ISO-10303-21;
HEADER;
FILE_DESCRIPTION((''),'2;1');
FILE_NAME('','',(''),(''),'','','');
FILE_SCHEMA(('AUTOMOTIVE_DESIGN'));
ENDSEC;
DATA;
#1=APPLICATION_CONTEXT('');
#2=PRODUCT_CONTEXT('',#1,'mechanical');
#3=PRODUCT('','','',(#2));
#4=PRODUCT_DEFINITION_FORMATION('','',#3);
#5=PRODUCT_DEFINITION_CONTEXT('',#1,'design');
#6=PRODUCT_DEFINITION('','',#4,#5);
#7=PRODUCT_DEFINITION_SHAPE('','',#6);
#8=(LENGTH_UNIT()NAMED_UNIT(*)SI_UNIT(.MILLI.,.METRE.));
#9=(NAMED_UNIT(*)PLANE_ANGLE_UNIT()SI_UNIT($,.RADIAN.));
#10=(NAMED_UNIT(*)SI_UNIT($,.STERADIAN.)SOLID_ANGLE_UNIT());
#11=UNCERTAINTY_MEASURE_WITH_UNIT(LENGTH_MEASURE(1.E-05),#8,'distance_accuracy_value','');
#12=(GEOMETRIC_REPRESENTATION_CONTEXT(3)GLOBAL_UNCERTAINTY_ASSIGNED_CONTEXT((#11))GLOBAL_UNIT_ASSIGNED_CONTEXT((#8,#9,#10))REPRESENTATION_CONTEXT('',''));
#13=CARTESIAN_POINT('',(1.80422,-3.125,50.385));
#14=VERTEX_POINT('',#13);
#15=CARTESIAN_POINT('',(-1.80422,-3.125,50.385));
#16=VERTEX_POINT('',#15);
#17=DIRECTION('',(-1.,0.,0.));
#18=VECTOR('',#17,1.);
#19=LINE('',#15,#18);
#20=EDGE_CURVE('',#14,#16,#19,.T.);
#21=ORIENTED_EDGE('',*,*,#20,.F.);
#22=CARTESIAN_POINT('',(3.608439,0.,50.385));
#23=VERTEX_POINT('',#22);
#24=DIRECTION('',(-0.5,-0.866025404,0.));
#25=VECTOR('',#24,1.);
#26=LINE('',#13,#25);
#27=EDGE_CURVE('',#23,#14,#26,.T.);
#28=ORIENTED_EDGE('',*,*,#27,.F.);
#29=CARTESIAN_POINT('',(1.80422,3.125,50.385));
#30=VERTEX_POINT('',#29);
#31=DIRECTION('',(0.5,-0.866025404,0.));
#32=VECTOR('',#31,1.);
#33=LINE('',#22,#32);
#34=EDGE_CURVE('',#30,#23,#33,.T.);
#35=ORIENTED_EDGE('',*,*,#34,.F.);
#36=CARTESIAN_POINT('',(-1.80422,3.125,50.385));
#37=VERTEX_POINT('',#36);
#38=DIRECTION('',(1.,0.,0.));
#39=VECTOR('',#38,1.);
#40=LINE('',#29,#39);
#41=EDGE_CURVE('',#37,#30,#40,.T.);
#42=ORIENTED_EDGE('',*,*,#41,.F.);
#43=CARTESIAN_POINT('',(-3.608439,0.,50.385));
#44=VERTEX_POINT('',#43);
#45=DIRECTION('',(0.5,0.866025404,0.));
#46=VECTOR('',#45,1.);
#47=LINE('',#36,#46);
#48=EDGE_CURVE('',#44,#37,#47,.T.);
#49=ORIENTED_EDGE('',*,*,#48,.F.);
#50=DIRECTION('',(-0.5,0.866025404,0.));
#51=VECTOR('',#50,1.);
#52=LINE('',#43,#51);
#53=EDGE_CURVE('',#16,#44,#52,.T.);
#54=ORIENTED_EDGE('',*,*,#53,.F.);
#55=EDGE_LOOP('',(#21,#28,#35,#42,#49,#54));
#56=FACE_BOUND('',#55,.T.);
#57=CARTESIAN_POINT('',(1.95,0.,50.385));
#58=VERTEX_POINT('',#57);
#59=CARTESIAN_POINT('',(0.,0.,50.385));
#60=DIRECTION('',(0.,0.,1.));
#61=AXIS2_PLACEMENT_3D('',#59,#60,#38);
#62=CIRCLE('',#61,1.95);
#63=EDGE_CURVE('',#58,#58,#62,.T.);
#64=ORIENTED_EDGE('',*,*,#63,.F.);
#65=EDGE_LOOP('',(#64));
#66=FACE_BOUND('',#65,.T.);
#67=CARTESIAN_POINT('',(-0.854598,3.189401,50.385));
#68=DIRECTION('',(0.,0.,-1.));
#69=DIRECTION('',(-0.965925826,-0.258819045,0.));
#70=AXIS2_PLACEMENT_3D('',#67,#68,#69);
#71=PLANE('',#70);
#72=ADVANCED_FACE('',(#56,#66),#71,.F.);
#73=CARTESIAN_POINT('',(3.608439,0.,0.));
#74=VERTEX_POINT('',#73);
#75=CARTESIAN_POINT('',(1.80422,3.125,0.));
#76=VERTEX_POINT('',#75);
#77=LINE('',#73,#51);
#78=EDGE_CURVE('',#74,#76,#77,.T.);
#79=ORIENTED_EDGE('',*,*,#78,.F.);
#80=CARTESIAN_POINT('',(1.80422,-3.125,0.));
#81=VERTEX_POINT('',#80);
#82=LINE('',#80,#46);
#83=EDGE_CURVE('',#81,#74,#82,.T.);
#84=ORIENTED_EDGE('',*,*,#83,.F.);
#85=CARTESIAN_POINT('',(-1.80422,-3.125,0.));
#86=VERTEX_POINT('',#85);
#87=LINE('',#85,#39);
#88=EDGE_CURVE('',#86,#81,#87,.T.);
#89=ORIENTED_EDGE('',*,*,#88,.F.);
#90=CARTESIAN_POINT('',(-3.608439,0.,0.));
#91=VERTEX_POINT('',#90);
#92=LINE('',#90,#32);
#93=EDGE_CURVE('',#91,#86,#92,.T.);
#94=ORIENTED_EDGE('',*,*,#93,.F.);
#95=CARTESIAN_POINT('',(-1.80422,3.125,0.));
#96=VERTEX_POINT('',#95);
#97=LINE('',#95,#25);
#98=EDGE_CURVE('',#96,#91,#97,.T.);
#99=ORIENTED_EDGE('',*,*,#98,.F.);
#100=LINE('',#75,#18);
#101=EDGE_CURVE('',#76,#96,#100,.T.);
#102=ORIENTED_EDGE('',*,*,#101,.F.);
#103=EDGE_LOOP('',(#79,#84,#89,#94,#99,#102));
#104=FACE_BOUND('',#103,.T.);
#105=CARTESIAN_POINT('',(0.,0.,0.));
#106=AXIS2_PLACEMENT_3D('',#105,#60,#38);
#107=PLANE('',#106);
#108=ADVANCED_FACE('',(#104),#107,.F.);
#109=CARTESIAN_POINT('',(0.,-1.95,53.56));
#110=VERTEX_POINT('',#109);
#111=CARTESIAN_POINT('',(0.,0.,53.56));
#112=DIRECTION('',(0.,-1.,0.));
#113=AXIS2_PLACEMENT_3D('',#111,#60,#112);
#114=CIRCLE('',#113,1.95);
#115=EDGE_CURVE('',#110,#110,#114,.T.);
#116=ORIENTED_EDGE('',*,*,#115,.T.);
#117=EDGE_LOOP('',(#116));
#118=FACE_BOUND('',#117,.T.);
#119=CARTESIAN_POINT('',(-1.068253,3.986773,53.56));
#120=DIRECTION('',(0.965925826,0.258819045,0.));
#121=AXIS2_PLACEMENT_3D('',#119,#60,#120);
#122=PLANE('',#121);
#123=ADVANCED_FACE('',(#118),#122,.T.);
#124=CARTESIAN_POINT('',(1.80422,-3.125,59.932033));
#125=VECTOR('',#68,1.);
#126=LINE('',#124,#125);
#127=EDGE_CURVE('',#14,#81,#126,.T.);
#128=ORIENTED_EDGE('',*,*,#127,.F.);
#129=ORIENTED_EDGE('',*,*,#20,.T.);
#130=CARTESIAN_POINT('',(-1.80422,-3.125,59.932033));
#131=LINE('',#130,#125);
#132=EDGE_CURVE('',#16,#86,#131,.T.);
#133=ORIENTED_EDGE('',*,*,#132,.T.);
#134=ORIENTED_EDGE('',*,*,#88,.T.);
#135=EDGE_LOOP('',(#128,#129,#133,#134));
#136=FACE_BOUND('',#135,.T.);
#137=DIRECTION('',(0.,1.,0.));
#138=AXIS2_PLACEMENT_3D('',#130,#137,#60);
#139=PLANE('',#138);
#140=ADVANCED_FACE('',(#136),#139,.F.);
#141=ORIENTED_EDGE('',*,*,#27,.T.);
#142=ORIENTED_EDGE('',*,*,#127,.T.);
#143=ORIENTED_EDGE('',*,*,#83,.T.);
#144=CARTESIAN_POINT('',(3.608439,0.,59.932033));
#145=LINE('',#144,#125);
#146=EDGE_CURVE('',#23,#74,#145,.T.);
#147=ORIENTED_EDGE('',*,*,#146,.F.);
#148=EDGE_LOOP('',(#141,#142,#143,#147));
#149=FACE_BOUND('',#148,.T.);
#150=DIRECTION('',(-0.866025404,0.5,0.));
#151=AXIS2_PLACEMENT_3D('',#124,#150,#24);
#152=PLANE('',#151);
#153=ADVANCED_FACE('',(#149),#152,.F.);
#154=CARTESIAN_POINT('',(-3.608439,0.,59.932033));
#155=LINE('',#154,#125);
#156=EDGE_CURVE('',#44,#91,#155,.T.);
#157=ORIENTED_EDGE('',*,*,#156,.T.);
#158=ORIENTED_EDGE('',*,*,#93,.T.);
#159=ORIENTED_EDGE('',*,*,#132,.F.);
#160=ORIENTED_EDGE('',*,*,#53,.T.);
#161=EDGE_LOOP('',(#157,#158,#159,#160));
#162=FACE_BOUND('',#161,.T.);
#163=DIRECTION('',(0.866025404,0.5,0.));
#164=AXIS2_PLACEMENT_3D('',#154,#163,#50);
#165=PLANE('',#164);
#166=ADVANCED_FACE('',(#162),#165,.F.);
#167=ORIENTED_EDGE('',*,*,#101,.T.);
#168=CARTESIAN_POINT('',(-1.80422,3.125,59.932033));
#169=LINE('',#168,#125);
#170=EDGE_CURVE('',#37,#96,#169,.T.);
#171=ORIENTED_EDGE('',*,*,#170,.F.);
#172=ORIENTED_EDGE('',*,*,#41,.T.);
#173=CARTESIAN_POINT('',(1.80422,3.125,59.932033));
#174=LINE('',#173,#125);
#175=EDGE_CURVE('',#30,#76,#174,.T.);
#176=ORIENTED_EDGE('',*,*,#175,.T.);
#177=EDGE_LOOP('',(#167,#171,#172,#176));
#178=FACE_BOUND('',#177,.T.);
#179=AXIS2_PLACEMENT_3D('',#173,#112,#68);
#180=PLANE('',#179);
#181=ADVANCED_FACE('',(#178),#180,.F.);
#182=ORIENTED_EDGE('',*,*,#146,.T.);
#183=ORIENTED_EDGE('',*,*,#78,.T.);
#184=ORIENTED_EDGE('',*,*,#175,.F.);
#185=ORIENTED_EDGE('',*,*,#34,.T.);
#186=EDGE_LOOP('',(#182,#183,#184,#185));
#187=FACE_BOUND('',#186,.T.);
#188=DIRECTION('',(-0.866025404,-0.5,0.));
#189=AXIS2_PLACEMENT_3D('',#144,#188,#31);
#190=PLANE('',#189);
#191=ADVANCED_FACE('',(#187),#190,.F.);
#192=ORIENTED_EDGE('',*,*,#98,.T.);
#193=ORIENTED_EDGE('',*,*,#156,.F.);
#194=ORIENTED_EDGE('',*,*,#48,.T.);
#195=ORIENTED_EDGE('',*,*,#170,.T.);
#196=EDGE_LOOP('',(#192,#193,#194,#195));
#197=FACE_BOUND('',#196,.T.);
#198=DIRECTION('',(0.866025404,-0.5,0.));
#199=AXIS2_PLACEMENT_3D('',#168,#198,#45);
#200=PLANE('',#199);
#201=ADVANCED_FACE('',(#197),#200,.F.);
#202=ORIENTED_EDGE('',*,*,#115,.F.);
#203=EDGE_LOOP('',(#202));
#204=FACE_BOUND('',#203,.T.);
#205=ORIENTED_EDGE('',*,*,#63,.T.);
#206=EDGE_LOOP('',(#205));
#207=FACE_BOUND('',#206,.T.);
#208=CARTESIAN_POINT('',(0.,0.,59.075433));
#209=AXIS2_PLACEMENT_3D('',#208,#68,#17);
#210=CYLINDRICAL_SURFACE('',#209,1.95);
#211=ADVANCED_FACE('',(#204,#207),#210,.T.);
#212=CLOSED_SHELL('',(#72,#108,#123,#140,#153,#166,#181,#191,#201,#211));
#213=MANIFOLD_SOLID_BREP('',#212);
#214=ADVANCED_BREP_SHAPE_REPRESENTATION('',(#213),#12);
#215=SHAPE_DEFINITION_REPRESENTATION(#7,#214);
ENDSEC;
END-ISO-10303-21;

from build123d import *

# Parameters (mm, degrees)
BOSS_EXTRUDE1_DEPTH = 50.385
SKETCH3_R           = 1.95
BOSS_EXTRUDE2_DEPTH = 3.175


with BuildPart() as part:
    # Sketch1 → Boss-Extrude1 (new body)
    with BuildSketch(Plane.XY):
        Polygon((3.608439182, 0), (1.804219591, 3.125), (-1.804219591, 3.125), (-3.608439182, 0), (-1.804219591, -3.125), (1.804219591, -3.125), align=None)
    extrude(amount=BOSS_EXTRUDE1_DEPTH)

    # Sketch3 → Boss-Extrude2 (add)
    with BuildSketch(Plane.XY.offset(50.385)):
        with Locations(Location((0, 0, 0), (0, 0, 270))):
            Circle(SKETCH3_R)
    extrude(amount=BOSS_EXTRUDE2_DEPTH)


solid = part.part
